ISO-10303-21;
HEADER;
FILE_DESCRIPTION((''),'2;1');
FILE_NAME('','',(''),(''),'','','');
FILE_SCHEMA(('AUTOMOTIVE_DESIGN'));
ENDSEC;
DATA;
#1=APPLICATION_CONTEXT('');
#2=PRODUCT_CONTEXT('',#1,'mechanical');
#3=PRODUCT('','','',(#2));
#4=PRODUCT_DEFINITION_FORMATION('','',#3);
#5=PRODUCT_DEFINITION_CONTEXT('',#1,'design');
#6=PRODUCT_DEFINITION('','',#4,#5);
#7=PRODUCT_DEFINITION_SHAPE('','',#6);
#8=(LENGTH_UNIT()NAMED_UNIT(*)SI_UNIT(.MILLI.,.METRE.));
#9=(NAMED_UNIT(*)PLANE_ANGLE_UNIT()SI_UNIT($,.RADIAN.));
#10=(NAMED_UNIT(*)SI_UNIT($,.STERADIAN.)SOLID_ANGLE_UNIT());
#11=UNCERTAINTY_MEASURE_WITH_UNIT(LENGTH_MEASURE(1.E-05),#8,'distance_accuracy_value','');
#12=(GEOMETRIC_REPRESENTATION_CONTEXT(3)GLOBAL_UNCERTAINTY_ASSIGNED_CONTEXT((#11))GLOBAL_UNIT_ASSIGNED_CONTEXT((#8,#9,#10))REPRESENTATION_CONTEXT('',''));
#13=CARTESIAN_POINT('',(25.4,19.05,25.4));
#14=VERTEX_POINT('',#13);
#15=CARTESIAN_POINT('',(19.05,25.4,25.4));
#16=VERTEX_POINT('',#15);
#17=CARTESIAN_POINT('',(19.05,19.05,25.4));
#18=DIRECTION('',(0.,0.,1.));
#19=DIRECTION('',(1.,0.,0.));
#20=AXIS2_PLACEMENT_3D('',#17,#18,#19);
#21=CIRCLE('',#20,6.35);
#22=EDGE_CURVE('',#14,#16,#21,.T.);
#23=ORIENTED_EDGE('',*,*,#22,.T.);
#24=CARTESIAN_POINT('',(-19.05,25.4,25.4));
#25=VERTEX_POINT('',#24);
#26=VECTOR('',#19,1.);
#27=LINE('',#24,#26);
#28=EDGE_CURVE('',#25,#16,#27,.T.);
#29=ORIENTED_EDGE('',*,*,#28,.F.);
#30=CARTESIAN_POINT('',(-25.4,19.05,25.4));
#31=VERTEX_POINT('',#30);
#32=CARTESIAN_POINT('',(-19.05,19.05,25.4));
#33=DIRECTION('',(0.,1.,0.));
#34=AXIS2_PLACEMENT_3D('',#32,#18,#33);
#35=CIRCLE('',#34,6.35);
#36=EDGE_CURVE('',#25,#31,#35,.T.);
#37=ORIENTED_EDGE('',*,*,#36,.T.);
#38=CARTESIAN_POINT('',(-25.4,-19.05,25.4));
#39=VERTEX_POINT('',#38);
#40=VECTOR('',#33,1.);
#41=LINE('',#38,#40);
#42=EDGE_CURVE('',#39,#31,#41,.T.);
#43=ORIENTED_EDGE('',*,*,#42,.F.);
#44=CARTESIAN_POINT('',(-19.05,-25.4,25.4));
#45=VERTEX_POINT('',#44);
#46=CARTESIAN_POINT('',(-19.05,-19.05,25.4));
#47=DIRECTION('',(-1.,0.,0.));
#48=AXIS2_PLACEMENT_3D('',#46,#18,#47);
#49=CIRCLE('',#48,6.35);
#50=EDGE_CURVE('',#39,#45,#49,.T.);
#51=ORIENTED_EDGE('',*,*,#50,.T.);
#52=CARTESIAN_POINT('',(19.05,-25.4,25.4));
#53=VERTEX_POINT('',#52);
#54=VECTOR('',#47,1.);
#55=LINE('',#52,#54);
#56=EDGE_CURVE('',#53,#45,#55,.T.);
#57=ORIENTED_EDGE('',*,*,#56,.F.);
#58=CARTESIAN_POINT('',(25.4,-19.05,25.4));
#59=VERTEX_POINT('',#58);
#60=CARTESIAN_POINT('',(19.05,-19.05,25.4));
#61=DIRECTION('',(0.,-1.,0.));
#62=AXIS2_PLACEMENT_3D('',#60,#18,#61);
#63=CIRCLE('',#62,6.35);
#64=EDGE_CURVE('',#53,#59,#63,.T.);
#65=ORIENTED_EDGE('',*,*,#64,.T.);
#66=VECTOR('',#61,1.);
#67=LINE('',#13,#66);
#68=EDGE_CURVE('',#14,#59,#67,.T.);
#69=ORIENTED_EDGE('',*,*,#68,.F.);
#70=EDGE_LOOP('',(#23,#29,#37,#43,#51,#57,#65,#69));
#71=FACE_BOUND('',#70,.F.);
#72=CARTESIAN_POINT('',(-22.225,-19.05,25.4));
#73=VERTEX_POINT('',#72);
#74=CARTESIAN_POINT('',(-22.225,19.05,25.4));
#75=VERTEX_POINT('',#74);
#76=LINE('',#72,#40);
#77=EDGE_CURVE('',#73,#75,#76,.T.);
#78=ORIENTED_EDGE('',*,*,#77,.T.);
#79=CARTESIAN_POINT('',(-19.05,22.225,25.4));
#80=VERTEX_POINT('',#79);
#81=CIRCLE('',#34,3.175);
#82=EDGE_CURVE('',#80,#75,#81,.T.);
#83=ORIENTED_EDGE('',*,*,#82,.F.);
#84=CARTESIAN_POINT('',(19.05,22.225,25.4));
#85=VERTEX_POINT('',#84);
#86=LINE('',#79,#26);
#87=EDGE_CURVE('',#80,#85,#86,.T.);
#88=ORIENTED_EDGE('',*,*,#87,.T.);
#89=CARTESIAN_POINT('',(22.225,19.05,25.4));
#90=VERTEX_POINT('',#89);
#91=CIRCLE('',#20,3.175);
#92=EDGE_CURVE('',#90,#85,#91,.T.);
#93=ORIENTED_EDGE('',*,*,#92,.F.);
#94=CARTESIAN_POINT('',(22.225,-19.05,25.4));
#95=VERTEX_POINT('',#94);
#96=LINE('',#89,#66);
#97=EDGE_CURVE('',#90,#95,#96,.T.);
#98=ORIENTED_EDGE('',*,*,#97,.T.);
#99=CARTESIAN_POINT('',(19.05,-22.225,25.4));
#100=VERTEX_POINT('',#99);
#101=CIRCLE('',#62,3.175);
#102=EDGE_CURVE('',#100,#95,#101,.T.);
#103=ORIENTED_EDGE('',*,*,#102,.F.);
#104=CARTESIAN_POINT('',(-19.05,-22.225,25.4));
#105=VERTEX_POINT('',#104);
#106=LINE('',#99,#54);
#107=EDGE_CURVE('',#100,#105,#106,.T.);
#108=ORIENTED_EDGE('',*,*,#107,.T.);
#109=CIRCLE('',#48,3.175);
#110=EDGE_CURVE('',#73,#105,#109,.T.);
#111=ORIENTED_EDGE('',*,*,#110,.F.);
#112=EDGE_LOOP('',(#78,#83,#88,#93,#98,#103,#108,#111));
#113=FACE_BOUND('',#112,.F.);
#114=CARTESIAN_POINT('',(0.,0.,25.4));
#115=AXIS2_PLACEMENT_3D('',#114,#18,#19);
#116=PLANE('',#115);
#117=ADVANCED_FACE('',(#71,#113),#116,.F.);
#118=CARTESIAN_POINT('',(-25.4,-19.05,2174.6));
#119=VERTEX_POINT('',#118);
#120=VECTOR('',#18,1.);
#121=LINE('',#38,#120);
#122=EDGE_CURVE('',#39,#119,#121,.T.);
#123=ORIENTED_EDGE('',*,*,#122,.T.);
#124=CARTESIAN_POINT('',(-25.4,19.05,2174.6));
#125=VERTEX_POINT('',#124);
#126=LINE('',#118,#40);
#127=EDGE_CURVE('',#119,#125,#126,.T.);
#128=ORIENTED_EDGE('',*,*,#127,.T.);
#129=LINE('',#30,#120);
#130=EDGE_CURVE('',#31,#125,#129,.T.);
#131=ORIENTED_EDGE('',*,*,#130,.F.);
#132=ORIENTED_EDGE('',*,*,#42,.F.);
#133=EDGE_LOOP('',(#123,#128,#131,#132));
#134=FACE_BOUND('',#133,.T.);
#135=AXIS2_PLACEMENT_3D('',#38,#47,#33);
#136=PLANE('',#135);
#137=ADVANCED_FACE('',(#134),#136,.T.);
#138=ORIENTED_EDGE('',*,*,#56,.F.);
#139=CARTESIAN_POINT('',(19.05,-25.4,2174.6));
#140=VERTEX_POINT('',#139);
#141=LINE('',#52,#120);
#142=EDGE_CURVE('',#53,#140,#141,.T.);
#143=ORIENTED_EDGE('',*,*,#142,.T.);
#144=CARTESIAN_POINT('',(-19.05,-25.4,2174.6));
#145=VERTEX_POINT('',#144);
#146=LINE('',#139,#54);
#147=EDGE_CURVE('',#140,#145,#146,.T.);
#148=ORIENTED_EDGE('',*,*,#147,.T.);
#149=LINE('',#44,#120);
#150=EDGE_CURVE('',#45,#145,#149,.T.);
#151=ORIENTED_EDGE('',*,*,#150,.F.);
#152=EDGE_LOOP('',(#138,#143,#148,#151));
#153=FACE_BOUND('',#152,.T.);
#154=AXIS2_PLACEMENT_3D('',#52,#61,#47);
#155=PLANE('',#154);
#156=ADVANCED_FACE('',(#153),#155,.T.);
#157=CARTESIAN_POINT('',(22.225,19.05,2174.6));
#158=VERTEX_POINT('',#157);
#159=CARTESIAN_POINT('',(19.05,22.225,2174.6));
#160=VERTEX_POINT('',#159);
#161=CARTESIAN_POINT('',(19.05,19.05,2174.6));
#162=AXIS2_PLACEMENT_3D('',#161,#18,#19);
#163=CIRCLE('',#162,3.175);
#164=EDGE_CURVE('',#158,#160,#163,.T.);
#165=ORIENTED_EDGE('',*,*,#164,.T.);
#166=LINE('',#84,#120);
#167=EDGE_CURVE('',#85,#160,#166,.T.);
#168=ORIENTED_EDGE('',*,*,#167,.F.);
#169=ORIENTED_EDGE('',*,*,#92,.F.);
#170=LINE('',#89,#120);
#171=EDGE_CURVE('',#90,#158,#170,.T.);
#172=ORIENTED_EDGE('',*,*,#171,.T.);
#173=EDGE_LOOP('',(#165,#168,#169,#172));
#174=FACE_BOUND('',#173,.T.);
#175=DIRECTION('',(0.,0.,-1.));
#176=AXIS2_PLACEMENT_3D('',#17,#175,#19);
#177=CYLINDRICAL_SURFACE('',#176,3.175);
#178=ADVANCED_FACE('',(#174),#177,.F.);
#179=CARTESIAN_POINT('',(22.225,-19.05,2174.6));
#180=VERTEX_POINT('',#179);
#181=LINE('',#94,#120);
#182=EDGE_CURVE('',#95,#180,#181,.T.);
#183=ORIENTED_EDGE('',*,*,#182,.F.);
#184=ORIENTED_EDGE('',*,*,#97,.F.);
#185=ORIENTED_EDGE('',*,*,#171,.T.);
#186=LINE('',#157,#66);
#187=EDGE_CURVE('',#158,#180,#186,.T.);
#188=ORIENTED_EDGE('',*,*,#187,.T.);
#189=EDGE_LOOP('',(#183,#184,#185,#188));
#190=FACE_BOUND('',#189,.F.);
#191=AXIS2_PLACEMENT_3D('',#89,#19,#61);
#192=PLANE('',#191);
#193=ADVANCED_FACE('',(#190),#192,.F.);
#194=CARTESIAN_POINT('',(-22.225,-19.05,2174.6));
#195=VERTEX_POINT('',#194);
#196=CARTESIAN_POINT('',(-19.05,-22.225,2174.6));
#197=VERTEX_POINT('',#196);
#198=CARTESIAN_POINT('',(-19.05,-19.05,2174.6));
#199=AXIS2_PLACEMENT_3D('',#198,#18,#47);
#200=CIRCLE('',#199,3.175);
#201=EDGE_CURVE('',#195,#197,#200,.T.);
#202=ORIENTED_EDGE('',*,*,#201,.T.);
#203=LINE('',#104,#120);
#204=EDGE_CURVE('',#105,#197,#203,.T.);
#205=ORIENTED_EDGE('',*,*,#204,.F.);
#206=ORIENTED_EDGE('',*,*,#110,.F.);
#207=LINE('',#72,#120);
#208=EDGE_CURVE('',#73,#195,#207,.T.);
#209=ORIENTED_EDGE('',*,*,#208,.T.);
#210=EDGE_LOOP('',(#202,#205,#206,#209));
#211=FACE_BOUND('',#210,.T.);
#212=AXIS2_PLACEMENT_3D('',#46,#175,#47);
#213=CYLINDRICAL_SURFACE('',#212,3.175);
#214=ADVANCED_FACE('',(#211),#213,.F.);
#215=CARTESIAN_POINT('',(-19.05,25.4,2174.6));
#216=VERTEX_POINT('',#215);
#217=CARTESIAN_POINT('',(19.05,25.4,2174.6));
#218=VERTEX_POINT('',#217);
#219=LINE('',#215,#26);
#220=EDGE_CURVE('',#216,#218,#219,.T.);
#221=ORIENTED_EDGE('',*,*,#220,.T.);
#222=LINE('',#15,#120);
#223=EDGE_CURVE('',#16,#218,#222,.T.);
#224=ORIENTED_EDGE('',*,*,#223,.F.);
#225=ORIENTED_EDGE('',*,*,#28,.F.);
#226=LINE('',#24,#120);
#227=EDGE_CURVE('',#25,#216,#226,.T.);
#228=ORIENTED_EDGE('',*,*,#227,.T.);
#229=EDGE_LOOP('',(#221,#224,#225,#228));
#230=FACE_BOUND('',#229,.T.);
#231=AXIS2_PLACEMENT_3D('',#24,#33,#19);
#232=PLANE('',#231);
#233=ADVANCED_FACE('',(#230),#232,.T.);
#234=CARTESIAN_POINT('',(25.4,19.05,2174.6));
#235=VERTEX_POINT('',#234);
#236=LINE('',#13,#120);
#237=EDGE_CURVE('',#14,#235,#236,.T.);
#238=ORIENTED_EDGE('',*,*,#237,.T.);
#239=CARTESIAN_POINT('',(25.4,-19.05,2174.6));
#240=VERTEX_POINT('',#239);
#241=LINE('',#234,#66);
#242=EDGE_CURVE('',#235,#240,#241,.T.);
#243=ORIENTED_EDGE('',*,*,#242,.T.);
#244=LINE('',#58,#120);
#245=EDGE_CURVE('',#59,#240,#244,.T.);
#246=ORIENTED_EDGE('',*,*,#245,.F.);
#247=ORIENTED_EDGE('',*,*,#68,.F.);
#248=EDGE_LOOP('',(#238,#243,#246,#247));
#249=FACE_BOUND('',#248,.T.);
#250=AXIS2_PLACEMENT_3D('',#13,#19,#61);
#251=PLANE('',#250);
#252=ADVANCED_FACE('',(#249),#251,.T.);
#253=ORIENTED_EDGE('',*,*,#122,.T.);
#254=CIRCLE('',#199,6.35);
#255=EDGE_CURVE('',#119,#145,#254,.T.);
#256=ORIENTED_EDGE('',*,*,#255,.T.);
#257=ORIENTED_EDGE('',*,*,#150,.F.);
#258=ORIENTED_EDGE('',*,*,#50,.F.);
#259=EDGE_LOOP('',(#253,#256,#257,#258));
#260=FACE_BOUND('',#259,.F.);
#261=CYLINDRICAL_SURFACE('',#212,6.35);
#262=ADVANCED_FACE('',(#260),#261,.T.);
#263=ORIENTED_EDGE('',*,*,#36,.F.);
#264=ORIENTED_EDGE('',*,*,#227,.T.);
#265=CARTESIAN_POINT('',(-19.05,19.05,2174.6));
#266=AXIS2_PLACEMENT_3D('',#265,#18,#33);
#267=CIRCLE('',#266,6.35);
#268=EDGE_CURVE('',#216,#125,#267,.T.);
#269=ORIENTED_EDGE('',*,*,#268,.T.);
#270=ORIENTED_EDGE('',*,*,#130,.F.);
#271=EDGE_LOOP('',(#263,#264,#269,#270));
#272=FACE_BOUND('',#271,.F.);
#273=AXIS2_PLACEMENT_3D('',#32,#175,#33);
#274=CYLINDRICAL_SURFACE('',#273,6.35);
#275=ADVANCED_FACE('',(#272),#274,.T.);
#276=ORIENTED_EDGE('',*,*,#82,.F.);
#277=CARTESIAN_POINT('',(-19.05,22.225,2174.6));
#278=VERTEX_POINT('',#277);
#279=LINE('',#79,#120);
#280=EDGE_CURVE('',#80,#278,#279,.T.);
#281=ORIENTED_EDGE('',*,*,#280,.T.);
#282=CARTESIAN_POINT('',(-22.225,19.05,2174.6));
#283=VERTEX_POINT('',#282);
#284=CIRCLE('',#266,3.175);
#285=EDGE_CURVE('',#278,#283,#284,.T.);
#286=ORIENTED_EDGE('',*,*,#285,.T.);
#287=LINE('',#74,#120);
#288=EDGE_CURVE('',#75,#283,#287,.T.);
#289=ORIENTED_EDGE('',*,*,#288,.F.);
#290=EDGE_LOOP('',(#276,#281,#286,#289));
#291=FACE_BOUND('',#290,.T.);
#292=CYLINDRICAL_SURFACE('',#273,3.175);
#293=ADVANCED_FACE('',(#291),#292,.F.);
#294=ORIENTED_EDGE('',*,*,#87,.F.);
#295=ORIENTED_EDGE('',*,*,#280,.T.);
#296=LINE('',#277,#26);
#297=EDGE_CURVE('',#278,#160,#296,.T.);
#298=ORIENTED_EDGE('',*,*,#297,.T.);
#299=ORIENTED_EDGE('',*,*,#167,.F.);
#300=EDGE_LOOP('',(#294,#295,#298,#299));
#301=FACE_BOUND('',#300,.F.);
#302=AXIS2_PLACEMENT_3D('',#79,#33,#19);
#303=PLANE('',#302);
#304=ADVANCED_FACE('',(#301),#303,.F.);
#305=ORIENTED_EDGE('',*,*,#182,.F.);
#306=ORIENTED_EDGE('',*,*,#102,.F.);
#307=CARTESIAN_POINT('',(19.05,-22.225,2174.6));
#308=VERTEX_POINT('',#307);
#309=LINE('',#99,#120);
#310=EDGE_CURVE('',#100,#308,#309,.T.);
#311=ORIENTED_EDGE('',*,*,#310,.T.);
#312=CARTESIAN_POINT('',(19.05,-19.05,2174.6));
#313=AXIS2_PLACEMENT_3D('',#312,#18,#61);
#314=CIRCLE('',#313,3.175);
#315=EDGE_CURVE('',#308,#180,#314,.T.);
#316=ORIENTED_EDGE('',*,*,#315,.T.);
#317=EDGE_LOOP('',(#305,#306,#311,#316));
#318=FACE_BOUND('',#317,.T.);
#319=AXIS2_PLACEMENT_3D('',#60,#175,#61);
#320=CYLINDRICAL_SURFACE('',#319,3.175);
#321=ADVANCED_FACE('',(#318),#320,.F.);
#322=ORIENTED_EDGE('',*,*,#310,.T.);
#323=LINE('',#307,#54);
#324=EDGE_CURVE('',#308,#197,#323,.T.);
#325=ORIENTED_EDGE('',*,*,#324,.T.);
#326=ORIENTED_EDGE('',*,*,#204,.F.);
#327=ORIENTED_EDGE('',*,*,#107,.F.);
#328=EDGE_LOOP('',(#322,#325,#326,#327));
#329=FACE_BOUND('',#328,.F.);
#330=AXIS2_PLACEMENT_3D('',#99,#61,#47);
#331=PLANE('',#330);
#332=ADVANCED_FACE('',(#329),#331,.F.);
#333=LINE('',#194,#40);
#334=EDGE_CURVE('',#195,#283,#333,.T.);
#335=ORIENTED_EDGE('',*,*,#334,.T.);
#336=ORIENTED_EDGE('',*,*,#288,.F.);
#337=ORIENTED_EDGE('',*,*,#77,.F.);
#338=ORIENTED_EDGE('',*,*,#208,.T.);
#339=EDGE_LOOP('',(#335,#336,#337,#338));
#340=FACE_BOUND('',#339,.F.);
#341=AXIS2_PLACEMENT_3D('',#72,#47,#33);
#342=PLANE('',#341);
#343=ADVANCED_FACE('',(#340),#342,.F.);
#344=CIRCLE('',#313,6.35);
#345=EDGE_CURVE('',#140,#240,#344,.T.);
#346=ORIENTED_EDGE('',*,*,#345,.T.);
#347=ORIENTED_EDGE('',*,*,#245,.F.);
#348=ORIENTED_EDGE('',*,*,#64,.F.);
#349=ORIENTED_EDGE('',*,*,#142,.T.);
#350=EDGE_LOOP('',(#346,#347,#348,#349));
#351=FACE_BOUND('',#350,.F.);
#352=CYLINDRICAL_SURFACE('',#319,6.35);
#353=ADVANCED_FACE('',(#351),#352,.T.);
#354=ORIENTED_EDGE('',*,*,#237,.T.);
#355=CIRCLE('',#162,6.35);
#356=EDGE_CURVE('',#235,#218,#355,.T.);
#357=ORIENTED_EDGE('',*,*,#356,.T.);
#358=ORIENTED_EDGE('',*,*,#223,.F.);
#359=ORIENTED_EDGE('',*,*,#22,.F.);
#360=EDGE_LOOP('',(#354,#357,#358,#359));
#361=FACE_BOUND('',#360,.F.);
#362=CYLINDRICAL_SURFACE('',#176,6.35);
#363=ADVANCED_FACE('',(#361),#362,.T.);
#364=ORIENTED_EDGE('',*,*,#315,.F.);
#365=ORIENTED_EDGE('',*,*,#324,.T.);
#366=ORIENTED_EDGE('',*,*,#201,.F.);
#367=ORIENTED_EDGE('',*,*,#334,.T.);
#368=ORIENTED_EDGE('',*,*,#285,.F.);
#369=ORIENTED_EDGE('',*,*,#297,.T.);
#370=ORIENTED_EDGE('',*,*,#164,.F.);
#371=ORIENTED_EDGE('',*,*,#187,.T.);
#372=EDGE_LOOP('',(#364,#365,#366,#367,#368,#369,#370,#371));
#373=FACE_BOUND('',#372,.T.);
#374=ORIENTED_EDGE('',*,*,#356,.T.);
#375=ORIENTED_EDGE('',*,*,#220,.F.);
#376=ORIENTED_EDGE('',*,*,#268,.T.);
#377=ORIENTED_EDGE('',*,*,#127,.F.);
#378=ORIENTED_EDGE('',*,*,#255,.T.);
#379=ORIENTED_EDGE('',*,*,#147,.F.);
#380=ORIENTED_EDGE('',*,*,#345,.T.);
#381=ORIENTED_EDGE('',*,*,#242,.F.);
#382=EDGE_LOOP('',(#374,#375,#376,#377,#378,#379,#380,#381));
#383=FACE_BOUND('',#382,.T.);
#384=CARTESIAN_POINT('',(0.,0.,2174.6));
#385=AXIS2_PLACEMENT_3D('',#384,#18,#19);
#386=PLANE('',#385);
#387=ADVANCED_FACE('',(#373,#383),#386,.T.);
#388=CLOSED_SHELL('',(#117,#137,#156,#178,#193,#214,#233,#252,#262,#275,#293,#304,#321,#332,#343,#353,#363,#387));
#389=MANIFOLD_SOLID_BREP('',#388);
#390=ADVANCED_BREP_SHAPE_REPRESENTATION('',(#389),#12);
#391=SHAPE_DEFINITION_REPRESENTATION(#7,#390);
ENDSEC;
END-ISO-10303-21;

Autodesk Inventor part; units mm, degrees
ref_plane "Plano inicial" through (0, 0, 25.4) normal (0, 0, 1) x (1, 0, 0)
ref_plane "Plano final" through (0, 0, 2174.6) normal (0, 0, 1) x (1, 0, 0)
sketch "Boceto" plane through (0, 0, 0) normal (0, 0, 1) x (1, 0, 0)
  line L0 (-25.4, -19.05) -> (-25.4, 19.05)
  line L1 (-19.05, 25.4) -> (19.05, 25.4)
  line L2 (25.4, 19.05) -> (25.4, -19.05)
  line L3 (19.05, -25.4) -> (-19.05, -25.4)
  arc A0 (-25.4, -19.05) -> (-19.05, -25.4) centre (-19.05, -19.05) ccw
  arc A1 (-19.05, 25.4) -> (-25.4, 19.05) centre (-19.05, 19.05) ccw
  arc A2 (25.4, 19.05) -> (19.05, 25.4) centre (19.05, 19.05) ccw
  arc A3 (19.05, -25.4) -> (25.4, -19.05) centre (19.05, -19.05) ccw
  arc A4 (-19.05, 22.225) -> (-22.225, 19.05) centre (-19.05, 19.05) ccw
  line L4 (-19.05, 22.225) -> (19.05, 22.225)
  arc A5 (22.225, 19.05) -> (19.05, 22.225) centre (19.05, 19.05) ccw
  line L5 (22.225, 19.05) -> (22.225, -19.05)
  arc A6 (19.05, -22.225) -> (22.225, -19.05) centre (19.05, -19.05) ccw
  line L6 (19.05, -22.225) -> (-19.05, -22.225)
  arc A7 (-22.225, -19.05) -> (-19.05, -22.225) centre (-19.05, -19.05) ccw
  line L7 (-22.225, -19.05) -> (-22.225, 19.05)
  line L8 (0, 37.4012) -> (0, -37.4012) construction
  line L9 (-37.4012, 0) -> (37.4012, 0) construction
  dimension "d10" = 50.8
  dimension "d11" = 50.8
  dimension "d12" = 3.175
  dimension "d15" = 25.4
  dimension "d16" = 25.4
  dimension "d17" = 6.35
extrude "Cuerpo" add sketch "Boceto" along normal up to surface (2149.2 mm away) from surface at 25.4
sketch "Sketch3" plane through (0, 0, 0) normal (0, 0, 1) x (1, 0, 0)
  line L0 (0, 0) -> (10, 0)
ref_plane "Work Plane3" through (0, 0, 0) normal (0, -1, 0) x (1, 0, 0)
ref_plane "Plano de trabajo4" through (1180.95, -2890, 2174.6) normal (0, 0, 1) x (1, 0, 0)
split "Dividir1" plane through (1180.95, -2890, 2174.6) removes the side toward (0, 0, 1)
ref_plane "Plano de trabajo5" through (1200, -2870.95, 25.4) normal (0, 0, -1) x (-1, 0, 0)
split "Dividir2" plane through (1200, -2870.95, 25.4) removes the side toward (0, 0, -1)
sketch "Sketch4" plane through (0, 0, 0) normal (0, -1, 0) x (1, 0, 0)
  line L0 (-2, 25.4) -> (12, 25.4) projected
  line L1 (-2, 2174.6) -> (12, 2174.6) projected
  dimension "d19" = 2149.2
equation "\"d10\" = G_H"
equation "\"d11\" = G_W"
equation "\"d12\" = G_T"
equation "\"d15\" = 0.5 * d10"
equation "\"d16\" = 0.5 * d11"
equation "\"d17\" = G_IR"
equation "\"d3\" = G_L"
equation "\"G_W\" = 50.8"
equation "\"G_H\" = 50.8"
equation "\"G_T\" = 3.175"
equation "\"G_IR\" = 6.35"
equation "\"G_L\" = d19"
equation "\"G_OFFSET_START\" = -25.4"
equation "\"G_OFFSET_END\" = -25.4"
equation "\"d13\" = -G_OFFSET_START"
equation "\"d14\" = G_OFFSET_END + B_L"
equation "\"B_L\" = 2200"
properties part number "AISC - 2 x 2 x 1/8 - 84,614" material "Acero, suave"
